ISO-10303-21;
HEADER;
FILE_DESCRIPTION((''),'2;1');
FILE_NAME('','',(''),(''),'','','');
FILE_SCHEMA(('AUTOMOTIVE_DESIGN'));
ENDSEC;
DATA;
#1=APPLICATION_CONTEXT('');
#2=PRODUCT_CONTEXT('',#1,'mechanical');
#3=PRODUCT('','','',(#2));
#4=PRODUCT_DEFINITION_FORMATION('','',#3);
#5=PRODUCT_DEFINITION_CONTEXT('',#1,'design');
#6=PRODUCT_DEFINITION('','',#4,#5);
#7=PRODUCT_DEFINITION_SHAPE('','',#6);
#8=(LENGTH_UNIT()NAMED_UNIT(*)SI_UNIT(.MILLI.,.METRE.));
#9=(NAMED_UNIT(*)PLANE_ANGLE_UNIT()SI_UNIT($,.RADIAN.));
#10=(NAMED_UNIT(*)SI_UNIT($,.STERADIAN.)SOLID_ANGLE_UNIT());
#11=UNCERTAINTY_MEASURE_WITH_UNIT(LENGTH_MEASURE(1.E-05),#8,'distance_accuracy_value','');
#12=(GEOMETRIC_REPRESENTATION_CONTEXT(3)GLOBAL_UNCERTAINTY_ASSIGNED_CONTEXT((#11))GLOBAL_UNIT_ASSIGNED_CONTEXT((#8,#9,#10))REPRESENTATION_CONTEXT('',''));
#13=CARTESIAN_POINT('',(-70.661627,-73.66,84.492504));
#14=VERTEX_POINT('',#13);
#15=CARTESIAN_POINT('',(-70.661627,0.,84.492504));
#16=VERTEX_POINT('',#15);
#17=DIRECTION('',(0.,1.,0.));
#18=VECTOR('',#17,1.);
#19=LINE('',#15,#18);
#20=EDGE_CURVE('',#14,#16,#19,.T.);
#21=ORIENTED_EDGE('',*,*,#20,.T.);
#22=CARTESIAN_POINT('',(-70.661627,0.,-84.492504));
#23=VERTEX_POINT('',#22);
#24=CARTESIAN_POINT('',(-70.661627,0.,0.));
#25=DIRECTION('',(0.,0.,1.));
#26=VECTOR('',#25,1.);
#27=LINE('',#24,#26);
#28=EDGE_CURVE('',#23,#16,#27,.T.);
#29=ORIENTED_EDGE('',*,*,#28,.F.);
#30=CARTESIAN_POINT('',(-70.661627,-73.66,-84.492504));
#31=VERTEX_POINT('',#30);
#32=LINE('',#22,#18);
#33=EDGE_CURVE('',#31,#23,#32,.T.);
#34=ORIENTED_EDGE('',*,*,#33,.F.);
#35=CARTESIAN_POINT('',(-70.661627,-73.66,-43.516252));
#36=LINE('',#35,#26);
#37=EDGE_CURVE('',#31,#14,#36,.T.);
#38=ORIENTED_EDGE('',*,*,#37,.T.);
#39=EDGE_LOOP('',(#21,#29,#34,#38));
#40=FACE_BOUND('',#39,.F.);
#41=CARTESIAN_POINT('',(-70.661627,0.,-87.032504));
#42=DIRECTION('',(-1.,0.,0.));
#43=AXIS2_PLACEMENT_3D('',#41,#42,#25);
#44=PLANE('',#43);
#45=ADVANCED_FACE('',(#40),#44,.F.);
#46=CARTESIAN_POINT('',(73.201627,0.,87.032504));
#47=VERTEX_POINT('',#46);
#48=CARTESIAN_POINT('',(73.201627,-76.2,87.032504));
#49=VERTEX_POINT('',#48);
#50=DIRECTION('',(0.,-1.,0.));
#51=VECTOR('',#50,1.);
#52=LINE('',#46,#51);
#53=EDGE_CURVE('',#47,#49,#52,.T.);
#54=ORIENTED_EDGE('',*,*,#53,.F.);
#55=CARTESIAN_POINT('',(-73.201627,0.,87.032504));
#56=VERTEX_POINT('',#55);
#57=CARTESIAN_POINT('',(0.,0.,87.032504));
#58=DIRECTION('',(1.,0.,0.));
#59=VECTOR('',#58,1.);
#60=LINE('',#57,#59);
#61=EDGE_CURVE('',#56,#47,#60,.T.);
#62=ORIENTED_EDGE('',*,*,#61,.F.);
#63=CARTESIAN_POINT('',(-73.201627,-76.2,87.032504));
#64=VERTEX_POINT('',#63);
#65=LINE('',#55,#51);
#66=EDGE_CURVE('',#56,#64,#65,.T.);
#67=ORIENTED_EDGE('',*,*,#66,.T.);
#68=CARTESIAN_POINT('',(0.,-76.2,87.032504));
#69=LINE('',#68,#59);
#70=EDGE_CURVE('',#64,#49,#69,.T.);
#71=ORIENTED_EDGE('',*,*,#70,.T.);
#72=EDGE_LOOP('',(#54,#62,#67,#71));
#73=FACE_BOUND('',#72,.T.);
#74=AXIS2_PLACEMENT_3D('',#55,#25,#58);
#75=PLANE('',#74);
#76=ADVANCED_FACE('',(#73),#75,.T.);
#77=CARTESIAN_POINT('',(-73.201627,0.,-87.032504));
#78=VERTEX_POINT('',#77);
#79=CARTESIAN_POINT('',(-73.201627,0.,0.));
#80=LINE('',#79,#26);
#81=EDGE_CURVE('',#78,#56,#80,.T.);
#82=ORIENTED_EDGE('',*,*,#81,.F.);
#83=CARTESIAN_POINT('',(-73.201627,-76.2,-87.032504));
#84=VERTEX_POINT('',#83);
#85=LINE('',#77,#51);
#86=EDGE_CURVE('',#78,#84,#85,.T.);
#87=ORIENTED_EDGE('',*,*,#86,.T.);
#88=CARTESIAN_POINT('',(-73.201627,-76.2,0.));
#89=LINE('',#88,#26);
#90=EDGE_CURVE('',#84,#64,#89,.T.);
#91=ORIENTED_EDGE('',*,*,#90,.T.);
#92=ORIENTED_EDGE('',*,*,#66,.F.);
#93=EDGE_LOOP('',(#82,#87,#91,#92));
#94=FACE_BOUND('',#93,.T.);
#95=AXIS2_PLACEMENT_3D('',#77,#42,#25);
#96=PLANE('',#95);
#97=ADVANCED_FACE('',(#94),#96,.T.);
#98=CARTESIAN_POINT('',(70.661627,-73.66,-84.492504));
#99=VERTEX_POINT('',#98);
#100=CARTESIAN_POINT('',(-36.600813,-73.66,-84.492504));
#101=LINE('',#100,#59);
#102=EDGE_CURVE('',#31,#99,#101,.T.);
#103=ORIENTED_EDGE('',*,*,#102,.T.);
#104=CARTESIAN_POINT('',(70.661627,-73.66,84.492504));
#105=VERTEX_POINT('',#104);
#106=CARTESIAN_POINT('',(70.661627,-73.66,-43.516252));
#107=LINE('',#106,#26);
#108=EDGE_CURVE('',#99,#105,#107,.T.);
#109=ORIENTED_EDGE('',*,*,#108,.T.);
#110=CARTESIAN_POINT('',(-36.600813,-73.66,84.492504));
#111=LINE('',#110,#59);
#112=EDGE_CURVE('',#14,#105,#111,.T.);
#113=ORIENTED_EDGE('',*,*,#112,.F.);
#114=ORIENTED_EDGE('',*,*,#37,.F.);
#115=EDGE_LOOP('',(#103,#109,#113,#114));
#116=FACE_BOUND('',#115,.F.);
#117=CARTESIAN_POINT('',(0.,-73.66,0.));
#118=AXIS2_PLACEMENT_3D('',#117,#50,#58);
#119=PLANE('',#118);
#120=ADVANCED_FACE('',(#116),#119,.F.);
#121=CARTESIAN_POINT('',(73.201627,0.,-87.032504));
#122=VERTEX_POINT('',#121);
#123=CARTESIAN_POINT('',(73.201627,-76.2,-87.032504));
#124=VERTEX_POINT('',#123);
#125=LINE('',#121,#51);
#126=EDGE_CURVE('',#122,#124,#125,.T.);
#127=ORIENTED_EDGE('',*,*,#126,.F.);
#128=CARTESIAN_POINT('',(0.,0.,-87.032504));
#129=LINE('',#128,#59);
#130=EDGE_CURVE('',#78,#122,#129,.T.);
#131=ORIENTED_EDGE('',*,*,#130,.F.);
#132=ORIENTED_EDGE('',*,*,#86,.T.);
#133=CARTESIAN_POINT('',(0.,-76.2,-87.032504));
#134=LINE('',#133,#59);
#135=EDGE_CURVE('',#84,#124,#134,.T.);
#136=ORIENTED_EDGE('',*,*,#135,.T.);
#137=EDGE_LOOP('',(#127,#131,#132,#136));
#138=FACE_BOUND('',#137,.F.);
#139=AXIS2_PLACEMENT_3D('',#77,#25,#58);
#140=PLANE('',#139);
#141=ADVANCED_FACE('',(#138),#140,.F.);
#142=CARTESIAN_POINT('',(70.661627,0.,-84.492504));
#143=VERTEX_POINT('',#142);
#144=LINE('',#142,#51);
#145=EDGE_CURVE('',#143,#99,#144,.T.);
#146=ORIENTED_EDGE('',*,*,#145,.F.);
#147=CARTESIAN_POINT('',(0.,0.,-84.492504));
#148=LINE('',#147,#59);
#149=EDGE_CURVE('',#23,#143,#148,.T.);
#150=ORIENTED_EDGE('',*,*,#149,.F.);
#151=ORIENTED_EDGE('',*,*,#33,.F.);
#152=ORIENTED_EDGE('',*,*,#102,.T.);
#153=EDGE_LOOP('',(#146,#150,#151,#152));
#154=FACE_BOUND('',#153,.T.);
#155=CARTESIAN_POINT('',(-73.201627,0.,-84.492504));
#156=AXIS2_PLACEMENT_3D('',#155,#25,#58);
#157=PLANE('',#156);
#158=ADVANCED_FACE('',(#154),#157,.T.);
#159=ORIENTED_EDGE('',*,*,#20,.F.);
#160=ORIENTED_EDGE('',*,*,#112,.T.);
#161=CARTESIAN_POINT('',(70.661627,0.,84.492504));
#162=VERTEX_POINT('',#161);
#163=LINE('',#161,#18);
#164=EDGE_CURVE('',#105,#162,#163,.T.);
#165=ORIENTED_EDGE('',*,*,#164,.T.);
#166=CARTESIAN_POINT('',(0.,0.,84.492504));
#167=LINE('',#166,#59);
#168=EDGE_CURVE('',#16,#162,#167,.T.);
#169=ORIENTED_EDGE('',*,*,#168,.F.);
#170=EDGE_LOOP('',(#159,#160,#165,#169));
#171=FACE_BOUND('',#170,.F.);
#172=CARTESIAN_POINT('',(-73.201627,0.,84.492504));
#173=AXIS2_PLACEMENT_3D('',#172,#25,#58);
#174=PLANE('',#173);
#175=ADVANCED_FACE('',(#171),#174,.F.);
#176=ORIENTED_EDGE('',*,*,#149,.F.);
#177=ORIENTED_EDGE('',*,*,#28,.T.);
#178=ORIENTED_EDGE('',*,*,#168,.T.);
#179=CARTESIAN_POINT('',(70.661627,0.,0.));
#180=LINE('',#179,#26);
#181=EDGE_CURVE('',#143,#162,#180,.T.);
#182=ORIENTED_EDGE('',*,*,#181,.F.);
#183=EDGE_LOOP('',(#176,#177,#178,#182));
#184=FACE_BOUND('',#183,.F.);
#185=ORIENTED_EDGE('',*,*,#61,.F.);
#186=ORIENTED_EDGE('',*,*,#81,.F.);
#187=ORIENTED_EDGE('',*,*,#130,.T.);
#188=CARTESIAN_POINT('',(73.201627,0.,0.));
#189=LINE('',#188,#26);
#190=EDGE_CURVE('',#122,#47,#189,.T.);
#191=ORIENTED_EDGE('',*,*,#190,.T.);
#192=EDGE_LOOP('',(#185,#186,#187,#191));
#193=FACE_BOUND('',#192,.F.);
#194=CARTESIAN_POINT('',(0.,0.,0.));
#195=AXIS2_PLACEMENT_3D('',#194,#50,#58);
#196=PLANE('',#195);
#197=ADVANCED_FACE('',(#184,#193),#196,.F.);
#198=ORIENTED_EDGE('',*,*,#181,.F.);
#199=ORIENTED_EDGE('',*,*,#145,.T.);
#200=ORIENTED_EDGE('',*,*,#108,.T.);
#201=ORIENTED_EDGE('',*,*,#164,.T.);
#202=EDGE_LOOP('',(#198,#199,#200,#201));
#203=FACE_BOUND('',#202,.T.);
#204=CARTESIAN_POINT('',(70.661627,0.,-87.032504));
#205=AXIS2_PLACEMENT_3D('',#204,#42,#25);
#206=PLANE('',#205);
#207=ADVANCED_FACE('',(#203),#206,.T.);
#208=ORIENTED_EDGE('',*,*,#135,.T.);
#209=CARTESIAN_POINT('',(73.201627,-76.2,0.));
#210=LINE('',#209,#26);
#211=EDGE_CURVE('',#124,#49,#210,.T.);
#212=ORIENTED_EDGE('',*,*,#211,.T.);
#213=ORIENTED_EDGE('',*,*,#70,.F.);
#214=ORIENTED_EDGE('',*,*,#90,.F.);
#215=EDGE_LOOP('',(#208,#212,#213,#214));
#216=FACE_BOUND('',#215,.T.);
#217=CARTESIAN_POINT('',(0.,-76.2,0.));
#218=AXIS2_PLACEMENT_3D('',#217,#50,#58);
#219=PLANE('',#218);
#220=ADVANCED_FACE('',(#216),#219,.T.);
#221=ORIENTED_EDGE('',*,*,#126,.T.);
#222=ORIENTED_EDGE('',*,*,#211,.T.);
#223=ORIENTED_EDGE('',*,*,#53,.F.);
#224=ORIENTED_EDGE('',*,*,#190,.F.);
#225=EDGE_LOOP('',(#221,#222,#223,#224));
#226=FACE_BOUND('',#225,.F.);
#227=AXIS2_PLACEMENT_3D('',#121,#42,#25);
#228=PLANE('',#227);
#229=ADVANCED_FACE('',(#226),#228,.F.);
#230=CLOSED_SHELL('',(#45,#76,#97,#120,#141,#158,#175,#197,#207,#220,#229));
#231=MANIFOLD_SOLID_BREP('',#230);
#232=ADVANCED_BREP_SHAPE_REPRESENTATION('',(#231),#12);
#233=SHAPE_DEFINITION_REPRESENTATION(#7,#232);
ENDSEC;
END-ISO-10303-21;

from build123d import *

# Parameters (mm, degrees)
F0_W     = 255.4635107517
F0_H     = 167.3530042171
F1_DEPTH = 127
F3_W     = 146.4032530785
F3_H     = 174.0650087595
F4_DEPTH = 76.2
F5_T     = -2.54


with BuildPart() as f1:
    # F0 (on Front) → F1 (new body)
    with BuildSketch(Plane.XZ):
        Rectangle(F0_W, F0_H)
    extrude(amount=F1_DEPTH)


with BuildPart() as f4:
    # F3 (on Front) → F4 (new body)
    with BuildSketch(Plane.XZ):
        Rectangle(F3_W, F3_H)
    extrude(amount=F4_DEPTH)

    # F5
    f5_openings = [f4.faces().sort_by_distance(p)[0] for p in [
        (0, 0, 0),
    ]]
    offset(amount=F5_T, openings=f5_openings)


solid = f4.part
